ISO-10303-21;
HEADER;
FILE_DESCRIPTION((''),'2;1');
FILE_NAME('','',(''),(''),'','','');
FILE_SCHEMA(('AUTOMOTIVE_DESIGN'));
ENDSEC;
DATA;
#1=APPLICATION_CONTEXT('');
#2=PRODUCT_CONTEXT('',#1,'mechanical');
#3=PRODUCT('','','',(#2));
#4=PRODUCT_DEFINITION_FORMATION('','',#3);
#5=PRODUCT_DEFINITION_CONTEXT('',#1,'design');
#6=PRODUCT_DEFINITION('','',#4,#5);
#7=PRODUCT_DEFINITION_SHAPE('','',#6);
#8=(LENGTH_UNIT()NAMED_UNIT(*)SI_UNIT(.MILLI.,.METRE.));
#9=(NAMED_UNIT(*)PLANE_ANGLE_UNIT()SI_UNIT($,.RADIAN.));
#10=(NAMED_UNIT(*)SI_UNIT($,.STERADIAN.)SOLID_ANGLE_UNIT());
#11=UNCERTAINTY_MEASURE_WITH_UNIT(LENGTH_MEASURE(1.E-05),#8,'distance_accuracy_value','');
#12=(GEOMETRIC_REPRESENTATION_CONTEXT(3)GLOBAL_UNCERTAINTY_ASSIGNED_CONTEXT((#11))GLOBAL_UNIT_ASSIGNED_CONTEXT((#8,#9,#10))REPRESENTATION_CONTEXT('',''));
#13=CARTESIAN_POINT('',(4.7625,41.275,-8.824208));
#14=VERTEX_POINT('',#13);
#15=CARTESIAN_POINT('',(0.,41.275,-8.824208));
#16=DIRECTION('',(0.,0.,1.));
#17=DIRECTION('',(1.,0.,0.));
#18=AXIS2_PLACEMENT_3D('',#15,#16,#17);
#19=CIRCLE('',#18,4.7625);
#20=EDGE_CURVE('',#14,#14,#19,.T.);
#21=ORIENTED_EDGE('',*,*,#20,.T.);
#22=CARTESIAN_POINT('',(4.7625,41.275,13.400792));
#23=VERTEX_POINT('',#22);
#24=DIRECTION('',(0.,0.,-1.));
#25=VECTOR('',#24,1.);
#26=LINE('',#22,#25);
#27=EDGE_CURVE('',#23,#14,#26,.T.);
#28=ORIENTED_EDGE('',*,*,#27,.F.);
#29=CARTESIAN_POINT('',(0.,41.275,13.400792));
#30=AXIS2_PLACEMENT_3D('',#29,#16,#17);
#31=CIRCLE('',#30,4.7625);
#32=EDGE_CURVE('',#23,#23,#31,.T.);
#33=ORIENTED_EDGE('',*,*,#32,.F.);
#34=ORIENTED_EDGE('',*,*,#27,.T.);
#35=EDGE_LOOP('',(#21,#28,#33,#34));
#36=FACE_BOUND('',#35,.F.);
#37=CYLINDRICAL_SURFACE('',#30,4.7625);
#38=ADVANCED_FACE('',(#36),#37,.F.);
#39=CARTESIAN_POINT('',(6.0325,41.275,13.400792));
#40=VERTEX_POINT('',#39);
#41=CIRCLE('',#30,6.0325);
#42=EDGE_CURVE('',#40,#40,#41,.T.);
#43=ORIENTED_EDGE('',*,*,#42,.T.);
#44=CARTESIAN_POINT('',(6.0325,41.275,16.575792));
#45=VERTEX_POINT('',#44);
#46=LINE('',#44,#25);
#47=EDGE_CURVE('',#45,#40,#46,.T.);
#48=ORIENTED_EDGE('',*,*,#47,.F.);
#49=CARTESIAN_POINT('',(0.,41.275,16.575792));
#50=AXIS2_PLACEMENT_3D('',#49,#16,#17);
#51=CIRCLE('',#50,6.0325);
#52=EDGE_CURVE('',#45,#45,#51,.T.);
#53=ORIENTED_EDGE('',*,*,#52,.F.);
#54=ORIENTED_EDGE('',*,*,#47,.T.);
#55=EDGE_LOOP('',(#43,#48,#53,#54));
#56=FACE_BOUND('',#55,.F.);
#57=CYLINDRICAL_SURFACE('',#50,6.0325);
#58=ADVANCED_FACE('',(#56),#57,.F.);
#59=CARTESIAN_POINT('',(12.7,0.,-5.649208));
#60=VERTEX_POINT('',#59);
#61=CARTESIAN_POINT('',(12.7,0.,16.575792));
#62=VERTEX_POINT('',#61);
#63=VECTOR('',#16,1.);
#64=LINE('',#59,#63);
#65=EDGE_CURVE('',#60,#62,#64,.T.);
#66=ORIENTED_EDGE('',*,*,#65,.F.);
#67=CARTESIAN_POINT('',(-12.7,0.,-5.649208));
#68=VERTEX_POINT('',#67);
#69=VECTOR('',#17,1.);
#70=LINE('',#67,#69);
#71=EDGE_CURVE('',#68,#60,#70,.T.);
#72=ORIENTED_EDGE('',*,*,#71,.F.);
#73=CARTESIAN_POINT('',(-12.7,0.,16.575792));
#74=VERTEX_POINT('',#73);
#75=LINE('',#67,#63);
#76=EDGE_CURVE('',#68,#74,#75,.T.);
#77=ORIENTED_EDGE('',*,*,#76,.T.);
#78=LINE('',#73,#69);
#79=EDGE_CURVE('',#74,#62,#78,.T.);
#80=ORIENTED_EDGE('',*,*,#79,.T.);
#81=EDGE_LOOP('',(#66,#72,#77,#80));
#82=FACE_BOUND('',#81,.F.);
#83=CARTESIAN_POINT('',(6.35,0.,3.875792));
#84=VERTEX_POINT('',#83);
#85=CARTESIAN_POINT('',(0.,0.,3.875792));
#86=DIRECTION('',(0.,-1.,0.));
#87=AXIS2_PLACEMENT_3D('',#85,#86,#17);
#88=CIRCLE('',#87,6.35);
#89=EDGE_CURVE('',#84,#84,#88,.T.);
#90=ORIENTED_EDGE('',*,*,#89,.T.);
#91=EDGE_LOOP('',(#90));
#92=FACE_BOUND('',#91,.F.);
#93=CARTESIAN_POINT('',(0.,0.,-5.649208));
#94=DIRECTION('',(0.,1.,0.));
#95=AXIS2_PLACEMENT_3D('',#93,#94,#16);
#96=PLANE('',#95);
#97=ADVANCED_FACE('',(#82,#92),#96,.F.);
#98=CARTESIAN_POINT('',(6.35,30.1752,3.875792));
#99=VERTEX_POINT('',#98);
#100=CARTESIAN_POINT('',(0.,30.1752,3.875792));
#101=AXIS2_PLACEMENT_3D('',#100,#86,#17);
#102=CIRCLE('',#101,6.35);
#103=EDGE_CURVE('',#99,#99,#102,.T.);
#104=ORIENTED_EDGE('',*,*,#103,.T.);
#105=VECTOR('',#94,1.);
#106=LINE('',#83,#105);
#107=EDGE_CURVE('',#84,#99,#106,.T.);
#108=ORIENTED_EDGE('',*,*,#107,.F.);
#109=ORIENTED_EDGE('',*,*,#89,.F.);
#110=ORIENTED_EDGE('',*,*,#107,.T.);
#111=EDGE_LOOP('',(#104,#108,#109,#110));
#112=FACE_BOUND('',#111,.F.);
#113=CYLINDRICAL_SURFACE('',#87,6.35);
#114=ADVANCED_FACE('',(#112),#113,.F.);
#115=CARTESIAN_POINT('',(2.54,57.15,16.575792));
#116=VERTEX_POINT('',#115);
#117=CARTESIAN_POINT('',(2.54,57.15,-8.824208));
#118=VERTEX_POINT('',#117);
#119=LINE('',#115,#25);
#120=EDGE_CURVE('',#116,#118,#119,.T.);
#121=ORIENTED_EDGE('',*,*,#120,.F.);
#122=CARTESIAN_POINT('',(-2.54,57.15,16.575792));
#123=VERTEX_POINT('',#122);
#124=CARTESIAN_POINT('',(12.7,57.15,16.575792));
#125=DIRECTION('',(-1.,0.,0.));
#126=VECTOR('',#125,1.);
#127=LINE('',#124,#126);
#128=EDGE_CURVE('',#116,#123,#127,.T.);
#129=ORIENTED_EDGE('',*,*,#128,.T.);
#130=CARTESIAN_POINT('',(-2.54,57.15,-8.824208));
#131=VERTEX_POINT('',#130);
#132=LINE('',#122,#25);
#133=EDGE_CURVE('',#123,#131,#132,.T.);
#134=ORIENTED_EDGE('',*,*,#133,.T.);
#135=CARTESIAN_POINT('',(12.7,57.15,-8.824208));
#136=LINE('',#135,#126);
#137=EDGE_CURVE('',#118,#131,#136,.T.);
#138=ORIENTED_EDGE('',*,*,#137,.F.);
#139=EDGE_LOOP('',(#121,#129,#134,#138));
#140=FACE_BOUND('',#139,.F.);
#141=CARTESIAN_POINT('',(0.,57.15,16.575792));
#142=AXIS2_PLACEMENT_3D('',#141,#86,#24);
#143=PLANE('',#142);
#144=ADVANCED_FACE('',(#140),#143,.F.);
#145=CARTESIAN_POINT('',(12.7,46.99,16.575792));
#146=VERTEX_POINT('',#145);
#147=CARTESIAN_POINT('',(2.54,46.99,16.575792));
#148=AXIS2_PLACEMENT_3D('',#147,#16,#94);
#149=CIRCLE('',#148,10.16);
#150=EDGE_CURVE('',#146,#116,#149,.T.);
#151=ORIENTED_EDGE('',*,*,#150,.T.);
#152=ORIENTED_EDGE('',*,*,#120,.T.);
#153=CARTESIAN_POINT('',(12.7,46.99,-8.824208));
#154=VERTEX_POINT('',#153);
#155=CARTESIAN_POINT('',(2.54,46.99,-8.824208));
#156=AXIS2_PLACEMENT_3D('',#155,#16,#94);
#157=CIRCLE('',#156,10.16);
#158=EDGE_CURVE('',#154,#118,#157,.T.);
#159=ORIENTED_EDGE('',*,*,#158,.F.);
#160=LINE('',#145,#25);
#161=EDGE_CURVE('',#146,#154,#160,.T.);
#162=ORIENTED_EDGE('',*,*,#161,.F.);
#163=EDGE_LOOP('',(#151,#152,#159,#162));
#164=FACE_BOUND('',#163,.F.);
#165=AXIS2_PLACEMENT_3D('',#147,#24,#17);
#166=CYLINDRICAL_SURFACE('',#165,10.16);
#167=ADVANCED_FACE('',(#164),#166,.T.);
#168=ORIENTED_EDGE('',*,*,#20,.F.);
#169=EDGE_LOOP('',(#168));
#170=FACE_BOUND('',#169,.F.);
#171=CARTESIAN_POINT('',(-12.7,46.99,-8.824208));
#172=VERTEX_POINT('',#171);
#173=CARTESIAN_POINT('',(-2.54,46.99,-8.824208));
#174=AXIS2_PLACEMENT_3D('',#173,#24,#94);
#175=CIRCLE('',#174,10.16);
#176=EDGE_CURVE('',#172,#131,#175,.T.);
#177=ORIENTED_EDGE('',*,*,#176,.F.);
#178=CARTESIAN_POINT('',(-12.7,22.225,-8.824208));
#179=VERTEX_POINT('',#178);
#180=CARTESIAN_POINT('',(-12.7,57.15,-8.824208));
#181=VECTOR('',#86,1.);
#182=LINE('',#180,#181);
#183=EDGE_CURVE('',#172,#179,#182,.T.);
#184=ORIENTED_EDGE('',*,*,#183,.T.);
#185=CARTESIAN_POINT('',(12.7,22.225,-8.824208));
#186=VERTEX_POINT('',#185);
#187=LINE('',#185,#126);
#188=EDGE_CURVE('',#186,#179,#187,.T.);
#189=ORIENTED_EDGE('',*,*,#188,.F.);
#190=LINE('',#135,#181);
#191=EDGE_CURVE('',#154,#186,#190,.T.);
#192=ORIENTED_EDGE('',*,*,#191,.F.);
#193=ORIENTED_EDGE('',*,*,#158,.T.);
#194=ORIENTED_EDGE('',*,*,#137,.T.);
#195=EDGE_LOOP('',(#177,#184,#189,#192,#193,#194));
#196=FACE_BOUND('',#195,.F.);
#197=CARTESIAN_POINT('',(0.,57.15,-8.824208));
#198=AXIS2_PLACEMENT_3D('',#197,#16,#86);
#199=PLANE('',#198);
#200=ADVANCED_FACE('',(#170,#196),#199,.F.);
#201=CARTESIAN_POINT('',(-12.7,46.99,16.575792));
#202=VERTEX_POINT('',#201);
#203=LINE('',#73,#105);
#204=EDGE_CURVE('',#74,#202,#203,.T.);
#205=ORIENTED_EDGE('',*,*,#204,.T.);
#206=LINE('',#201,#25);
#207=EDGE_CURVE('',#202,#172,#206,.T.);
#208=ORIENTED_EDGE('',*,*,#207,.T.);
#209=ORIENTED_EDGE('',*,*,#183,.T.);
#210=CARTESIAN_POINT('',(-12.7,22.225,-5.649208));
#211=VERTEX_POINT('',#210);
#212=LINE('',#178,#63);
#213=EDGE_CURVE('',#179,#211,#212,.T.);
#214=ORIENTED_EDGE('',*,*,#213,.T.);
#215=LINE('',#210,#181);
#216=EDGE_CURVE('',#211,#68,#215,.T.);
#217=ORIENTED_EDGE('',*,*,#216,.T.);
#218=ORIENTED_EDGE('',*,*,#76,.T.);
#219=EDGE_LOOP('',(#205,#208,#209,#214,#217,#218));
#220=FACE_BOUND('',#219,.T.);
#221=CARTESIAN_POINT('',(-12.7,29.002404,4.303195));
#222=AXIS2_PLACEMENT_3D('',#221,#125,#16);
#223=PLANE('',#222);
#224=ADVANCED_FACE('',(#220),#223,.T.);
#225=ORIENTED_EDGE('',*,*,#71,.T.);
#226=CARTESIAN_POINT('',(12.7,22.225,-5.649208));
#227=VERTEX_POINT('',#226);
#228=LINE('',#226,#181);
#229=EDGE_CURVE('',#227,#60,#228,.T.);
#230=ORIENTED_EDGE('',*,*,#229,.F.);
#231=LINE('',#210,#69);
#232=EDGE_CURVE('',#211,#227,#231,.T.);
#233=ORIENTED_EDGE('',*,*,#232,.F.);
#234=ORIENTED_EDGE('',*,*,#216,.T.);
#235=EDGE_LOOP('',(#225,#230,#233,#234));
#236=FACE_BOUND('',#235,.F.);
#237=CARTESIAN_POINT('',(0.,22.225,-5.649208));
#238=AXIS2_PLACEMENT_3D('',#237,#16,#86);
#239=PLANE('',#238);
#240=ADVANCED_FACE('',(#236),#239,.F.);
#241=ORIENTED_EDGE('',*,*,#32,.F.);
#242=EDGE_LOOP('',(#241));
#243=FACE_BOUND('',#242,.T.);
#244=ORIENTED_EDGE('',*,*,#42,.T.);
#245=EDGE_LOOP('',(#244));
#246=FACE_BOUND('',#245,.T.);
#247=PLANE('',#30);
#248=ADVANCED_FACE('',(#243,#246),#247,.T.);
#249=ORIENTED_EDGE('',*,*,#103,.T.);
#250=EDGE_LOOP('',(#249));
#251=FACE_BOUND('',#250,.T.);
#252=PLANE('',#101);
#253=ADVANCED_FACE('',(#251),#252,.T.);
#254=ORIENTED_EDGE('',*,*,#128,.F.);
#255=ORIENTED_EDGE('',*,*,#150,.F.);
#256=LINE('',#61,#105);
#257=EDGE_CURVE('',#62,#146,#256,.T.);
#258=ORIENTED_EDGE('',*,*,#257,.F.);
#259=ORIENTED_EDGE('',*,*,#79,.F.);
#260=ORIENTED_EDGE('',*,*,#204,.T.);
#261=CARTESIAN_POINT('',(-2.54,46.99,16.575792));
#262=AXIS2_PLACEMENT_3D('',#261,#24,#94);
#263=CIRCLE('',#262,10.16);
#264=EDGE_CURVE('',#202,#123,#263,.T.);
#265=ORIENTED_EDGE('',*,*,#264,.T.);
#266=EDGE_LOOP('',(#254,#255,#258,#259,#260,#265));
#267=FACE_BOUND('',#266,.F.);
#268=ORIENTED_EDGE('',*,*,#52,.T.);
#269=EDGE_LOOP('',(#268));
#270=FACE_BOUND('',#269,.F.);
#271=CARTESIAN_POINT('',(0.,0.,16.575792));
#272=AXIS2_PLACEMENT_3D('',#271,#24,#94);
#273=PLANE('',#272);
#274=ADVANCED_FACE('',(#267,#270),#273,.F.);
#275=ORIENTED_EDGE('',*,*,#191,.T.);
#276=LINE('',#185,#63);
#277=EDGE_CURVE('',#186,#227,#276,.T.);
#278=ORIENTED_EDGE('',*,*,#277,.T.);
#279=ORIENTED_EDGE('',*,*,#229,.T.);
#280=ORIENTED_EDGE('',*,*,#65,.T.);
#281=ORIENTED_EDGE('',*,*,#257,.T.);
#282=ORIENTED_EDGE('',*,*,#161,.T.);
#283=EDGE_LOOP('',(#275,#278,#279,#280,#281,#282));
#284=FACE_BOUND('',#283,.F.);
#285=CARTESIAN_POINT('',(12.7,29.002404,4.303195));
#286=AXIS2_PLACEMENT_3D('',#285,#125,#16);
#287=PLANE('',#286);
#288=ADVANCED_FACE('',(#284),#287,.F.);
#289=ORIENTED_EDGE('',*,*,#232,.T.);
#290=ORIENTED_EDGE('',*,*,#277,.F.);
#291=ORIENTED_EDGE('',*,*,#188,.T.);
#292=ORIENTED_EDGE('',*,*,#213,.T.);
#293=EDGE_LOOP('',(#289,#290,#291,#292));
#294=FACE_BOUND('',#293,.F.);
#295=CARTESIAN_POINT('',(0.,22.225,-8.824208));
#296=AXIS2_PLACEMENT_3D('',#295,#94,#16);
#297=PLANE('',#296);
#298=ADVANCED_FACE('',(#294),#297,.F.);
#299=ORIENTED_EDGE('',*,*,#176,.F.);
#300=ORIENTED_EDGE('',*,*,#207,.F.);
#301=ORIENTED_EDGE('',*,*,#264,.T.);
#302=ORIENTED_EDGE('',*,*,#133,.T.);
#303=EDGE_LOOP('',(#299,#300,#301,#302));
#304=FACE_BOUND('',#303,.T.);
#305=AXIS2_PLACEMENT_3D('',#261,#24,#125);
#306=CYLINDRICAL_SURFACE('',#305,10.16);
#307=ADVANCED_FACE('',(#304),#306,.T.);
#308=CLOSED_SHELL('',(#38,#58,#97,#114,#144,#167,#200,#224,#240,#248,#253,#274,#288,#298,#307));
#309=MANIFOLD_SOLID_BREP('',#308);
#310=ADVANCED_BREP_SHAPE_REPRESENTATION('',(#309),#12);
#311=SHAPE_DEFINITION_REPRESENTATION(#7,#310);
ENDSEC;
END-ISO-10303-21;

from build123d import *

# Parameters (mm, degrees)
BOSS_EXTRUDE1_DEPTH = 12.7
SKETCH2_R           = 6.0325
CUT_EXTRUDE1_DEPTH  = 3.175
SKETCH3_R           = 4.7625
CUT_EXTRUDE2_DEPTH  = 23.225
FILLET1_R           = 10.16
SKETCH4_R           = 6.35
CUT_EXTRUDE3_DEPTH  = 30.1752


with BuildPart() as part:
    # Sketch1 → Boss-Extrude1 (new body, symmetric)
    with BuildSketch(Plane(origin=(0, 0, 0), x_dir=(0, 0, -1), z_dir=(1, 0, 0))):
        Polygon((-16.575791508, 0), (-16.575791508, 57.15), (8.824208492, 57.15), (8.824208492, 22.225), (5.649208492, 22.225), (5.649208492, 0), align=None)
    extrude(amount=BOSS_EXTRUDE1_DEPTH, both=True)

    # Sketch2 → Cut-Extrude1 (cut)
    with BuildSketch(Plane.XY.offset(16.575791508)):
        with Locations((0, 41.275)):
            Circle(SKETCH2_R)
    extrude(amount=-CUT_EXTRUDE1_DEPTH, mode=Mode.SUBTRACT)

    # Sketch3 → Cut-Extrude2 (cut, through all)
    with BuildSketch(Plane.XY.offset(13.400791508)):
        with Locations((0, 41.275)):
            Circle(SKETCH3_R)
    extrude(amount=-CUT_EXTRUDE2_DEPTH, mode=Mode.SUBTRACT)

    # Fillet1
    fillet1_edges = [part.edges().sort_by_distance(p)[0] for p in [
        (12.7, 57.15, 3.875791508),
        (-12.7, 57.15, 3.875791508),
    ]]
    fillet(fillet1_edges, radius=FILLET1_R)

    # Sketch4 → Cut-Extrude3 (cut)
    with BuildSketch(Plane.XZ):
        with Locations((0, 3.875791508)):
            Circle(SKETCH4_R)
    extrude(amount=-CUT_EXTRUDE3_DEPTH, mode=Mode.SUBTRACT)


solid = part.part
